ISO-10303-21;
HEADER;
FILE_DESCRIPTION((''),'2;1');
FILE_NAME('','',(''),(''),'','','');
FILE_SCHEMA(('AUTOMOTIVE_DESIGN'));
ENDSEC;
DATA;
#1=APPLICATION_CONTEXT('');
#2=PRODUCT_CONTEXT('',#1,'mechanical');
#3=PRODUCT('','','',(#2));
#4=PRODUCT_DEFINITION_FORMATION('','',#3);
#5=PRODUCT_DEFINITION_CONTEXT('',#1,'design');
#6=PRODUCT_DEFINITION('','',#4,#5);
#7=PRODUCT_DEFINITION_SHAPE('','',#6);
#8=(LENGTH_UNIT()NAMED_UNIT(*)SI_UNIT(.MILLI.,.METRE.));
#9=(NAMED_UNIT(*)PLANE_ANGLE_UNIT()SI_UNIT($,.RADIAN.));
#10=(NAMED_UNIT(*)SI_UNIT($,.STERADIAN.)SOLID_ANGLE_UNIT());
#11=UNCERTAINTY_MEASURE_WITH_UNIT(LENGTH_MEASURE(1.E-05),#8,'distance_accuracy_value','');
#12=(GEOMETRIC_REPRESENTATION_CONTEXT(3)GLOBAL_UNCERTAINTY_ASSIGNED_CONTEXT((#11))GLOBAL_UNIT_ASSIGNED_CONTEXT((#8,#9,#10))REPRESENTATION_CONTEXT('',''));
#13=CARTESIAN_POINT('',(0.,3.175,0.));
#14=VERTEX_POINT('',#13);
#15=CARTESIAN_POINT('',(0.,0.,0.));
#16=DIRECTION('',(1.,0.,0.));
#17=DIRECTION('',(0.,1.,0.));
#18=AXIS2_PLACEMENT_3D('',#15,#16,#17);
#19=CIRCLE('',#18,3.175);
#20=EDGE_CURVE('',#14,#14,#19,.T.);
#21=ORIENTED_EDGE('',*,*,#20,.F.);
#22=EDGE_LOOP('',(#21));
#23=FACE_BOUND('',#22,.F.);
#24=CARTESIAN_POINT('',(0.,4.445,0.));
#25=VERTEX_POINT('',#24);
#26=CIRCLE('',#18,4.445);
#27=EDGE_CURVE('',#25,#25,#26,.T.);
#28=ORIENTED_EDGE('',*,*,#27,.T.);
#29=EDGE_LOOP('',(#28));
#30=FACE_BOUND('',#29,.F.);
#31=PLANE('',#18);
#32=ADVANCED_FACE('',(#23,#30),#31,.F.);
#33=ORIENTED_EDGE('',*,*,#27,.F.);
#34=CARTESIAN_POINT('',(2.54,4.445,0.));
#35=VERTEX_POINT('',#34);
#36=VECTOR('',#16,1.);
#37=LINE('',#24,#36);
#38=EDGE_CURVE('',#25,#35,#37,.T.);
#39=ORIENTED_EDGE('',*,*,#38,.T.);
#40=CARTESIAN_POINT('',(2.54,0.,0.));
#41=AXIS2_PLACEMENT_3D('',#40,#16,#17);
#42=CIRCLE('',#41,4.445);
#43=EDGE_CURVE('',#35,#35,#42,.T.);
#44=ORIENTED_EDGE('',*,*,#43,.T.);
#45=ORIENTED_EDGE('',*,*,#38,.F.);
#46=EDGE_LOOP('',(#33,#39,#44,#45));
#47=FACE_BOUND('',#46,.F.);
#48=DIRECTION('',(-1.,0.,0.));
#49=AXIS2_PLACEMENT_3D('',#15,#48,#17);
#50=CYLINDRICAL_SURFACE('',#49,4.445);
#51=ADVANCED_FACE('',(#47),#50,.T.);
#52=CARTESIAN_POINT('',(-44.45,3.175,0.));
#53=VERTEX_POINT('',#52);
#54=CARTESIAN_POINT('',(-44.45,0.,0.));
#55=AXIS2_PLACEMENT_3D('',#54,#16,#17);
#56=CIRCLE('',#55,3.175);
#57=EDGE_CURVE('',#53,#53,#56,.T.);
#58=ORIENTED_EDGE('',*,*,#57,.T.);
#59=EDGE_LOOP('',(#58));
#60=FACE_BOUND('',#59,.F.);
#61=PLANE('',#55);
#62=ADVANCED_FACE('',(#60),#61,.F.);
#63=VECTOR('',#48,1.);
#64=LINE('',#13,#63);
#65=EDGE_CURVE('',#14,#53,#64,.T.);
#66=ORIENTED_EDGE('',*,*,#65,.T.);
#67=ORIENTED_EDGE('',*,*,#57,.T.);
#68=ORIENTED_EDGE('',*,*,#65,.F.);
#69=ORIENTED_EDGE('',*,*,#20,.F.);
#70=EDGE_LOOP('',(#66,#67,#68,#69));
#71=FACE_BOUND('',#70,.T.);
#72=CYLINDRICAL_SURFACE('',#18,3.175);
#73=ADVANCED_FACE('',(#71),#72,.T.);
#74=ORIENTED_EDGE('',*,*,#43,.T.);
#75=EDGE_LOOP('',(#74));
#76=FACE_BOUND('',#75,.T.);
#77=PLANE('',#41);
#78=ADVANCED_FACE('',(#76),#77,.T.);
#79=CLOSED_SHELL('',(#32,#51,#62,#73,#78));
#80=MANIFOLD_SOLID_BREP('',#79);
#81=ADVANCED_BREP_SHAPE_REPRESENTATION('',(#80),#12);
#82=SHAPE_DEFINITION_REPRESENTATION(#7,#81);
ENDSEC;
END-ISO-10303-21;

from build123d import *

# Parameters (mm, degrees)
F0_R     = 4.445
F0_R_2   = 3.175
F1_DEPTH = 2.54
F2_DEPTH = 44.45


with BuildPart() as f1:
    # F0 (on Right) → F1 (new body)
    with BuildSketch(Plane.YZ):
        Circle(F0_R)
        Circle(F0_R_2, mode=Mode.SUBTRACT)
        Circle(F0_R_2)
    extrude(amount=F1_DEPTH)

    # F0 (on Right) → F2 (join)
    with BuildSketch(Plane.YZ):
        Circle(F0_R_2)
    extrude(amount=-F2_DEPTH)


solid = f1.part
